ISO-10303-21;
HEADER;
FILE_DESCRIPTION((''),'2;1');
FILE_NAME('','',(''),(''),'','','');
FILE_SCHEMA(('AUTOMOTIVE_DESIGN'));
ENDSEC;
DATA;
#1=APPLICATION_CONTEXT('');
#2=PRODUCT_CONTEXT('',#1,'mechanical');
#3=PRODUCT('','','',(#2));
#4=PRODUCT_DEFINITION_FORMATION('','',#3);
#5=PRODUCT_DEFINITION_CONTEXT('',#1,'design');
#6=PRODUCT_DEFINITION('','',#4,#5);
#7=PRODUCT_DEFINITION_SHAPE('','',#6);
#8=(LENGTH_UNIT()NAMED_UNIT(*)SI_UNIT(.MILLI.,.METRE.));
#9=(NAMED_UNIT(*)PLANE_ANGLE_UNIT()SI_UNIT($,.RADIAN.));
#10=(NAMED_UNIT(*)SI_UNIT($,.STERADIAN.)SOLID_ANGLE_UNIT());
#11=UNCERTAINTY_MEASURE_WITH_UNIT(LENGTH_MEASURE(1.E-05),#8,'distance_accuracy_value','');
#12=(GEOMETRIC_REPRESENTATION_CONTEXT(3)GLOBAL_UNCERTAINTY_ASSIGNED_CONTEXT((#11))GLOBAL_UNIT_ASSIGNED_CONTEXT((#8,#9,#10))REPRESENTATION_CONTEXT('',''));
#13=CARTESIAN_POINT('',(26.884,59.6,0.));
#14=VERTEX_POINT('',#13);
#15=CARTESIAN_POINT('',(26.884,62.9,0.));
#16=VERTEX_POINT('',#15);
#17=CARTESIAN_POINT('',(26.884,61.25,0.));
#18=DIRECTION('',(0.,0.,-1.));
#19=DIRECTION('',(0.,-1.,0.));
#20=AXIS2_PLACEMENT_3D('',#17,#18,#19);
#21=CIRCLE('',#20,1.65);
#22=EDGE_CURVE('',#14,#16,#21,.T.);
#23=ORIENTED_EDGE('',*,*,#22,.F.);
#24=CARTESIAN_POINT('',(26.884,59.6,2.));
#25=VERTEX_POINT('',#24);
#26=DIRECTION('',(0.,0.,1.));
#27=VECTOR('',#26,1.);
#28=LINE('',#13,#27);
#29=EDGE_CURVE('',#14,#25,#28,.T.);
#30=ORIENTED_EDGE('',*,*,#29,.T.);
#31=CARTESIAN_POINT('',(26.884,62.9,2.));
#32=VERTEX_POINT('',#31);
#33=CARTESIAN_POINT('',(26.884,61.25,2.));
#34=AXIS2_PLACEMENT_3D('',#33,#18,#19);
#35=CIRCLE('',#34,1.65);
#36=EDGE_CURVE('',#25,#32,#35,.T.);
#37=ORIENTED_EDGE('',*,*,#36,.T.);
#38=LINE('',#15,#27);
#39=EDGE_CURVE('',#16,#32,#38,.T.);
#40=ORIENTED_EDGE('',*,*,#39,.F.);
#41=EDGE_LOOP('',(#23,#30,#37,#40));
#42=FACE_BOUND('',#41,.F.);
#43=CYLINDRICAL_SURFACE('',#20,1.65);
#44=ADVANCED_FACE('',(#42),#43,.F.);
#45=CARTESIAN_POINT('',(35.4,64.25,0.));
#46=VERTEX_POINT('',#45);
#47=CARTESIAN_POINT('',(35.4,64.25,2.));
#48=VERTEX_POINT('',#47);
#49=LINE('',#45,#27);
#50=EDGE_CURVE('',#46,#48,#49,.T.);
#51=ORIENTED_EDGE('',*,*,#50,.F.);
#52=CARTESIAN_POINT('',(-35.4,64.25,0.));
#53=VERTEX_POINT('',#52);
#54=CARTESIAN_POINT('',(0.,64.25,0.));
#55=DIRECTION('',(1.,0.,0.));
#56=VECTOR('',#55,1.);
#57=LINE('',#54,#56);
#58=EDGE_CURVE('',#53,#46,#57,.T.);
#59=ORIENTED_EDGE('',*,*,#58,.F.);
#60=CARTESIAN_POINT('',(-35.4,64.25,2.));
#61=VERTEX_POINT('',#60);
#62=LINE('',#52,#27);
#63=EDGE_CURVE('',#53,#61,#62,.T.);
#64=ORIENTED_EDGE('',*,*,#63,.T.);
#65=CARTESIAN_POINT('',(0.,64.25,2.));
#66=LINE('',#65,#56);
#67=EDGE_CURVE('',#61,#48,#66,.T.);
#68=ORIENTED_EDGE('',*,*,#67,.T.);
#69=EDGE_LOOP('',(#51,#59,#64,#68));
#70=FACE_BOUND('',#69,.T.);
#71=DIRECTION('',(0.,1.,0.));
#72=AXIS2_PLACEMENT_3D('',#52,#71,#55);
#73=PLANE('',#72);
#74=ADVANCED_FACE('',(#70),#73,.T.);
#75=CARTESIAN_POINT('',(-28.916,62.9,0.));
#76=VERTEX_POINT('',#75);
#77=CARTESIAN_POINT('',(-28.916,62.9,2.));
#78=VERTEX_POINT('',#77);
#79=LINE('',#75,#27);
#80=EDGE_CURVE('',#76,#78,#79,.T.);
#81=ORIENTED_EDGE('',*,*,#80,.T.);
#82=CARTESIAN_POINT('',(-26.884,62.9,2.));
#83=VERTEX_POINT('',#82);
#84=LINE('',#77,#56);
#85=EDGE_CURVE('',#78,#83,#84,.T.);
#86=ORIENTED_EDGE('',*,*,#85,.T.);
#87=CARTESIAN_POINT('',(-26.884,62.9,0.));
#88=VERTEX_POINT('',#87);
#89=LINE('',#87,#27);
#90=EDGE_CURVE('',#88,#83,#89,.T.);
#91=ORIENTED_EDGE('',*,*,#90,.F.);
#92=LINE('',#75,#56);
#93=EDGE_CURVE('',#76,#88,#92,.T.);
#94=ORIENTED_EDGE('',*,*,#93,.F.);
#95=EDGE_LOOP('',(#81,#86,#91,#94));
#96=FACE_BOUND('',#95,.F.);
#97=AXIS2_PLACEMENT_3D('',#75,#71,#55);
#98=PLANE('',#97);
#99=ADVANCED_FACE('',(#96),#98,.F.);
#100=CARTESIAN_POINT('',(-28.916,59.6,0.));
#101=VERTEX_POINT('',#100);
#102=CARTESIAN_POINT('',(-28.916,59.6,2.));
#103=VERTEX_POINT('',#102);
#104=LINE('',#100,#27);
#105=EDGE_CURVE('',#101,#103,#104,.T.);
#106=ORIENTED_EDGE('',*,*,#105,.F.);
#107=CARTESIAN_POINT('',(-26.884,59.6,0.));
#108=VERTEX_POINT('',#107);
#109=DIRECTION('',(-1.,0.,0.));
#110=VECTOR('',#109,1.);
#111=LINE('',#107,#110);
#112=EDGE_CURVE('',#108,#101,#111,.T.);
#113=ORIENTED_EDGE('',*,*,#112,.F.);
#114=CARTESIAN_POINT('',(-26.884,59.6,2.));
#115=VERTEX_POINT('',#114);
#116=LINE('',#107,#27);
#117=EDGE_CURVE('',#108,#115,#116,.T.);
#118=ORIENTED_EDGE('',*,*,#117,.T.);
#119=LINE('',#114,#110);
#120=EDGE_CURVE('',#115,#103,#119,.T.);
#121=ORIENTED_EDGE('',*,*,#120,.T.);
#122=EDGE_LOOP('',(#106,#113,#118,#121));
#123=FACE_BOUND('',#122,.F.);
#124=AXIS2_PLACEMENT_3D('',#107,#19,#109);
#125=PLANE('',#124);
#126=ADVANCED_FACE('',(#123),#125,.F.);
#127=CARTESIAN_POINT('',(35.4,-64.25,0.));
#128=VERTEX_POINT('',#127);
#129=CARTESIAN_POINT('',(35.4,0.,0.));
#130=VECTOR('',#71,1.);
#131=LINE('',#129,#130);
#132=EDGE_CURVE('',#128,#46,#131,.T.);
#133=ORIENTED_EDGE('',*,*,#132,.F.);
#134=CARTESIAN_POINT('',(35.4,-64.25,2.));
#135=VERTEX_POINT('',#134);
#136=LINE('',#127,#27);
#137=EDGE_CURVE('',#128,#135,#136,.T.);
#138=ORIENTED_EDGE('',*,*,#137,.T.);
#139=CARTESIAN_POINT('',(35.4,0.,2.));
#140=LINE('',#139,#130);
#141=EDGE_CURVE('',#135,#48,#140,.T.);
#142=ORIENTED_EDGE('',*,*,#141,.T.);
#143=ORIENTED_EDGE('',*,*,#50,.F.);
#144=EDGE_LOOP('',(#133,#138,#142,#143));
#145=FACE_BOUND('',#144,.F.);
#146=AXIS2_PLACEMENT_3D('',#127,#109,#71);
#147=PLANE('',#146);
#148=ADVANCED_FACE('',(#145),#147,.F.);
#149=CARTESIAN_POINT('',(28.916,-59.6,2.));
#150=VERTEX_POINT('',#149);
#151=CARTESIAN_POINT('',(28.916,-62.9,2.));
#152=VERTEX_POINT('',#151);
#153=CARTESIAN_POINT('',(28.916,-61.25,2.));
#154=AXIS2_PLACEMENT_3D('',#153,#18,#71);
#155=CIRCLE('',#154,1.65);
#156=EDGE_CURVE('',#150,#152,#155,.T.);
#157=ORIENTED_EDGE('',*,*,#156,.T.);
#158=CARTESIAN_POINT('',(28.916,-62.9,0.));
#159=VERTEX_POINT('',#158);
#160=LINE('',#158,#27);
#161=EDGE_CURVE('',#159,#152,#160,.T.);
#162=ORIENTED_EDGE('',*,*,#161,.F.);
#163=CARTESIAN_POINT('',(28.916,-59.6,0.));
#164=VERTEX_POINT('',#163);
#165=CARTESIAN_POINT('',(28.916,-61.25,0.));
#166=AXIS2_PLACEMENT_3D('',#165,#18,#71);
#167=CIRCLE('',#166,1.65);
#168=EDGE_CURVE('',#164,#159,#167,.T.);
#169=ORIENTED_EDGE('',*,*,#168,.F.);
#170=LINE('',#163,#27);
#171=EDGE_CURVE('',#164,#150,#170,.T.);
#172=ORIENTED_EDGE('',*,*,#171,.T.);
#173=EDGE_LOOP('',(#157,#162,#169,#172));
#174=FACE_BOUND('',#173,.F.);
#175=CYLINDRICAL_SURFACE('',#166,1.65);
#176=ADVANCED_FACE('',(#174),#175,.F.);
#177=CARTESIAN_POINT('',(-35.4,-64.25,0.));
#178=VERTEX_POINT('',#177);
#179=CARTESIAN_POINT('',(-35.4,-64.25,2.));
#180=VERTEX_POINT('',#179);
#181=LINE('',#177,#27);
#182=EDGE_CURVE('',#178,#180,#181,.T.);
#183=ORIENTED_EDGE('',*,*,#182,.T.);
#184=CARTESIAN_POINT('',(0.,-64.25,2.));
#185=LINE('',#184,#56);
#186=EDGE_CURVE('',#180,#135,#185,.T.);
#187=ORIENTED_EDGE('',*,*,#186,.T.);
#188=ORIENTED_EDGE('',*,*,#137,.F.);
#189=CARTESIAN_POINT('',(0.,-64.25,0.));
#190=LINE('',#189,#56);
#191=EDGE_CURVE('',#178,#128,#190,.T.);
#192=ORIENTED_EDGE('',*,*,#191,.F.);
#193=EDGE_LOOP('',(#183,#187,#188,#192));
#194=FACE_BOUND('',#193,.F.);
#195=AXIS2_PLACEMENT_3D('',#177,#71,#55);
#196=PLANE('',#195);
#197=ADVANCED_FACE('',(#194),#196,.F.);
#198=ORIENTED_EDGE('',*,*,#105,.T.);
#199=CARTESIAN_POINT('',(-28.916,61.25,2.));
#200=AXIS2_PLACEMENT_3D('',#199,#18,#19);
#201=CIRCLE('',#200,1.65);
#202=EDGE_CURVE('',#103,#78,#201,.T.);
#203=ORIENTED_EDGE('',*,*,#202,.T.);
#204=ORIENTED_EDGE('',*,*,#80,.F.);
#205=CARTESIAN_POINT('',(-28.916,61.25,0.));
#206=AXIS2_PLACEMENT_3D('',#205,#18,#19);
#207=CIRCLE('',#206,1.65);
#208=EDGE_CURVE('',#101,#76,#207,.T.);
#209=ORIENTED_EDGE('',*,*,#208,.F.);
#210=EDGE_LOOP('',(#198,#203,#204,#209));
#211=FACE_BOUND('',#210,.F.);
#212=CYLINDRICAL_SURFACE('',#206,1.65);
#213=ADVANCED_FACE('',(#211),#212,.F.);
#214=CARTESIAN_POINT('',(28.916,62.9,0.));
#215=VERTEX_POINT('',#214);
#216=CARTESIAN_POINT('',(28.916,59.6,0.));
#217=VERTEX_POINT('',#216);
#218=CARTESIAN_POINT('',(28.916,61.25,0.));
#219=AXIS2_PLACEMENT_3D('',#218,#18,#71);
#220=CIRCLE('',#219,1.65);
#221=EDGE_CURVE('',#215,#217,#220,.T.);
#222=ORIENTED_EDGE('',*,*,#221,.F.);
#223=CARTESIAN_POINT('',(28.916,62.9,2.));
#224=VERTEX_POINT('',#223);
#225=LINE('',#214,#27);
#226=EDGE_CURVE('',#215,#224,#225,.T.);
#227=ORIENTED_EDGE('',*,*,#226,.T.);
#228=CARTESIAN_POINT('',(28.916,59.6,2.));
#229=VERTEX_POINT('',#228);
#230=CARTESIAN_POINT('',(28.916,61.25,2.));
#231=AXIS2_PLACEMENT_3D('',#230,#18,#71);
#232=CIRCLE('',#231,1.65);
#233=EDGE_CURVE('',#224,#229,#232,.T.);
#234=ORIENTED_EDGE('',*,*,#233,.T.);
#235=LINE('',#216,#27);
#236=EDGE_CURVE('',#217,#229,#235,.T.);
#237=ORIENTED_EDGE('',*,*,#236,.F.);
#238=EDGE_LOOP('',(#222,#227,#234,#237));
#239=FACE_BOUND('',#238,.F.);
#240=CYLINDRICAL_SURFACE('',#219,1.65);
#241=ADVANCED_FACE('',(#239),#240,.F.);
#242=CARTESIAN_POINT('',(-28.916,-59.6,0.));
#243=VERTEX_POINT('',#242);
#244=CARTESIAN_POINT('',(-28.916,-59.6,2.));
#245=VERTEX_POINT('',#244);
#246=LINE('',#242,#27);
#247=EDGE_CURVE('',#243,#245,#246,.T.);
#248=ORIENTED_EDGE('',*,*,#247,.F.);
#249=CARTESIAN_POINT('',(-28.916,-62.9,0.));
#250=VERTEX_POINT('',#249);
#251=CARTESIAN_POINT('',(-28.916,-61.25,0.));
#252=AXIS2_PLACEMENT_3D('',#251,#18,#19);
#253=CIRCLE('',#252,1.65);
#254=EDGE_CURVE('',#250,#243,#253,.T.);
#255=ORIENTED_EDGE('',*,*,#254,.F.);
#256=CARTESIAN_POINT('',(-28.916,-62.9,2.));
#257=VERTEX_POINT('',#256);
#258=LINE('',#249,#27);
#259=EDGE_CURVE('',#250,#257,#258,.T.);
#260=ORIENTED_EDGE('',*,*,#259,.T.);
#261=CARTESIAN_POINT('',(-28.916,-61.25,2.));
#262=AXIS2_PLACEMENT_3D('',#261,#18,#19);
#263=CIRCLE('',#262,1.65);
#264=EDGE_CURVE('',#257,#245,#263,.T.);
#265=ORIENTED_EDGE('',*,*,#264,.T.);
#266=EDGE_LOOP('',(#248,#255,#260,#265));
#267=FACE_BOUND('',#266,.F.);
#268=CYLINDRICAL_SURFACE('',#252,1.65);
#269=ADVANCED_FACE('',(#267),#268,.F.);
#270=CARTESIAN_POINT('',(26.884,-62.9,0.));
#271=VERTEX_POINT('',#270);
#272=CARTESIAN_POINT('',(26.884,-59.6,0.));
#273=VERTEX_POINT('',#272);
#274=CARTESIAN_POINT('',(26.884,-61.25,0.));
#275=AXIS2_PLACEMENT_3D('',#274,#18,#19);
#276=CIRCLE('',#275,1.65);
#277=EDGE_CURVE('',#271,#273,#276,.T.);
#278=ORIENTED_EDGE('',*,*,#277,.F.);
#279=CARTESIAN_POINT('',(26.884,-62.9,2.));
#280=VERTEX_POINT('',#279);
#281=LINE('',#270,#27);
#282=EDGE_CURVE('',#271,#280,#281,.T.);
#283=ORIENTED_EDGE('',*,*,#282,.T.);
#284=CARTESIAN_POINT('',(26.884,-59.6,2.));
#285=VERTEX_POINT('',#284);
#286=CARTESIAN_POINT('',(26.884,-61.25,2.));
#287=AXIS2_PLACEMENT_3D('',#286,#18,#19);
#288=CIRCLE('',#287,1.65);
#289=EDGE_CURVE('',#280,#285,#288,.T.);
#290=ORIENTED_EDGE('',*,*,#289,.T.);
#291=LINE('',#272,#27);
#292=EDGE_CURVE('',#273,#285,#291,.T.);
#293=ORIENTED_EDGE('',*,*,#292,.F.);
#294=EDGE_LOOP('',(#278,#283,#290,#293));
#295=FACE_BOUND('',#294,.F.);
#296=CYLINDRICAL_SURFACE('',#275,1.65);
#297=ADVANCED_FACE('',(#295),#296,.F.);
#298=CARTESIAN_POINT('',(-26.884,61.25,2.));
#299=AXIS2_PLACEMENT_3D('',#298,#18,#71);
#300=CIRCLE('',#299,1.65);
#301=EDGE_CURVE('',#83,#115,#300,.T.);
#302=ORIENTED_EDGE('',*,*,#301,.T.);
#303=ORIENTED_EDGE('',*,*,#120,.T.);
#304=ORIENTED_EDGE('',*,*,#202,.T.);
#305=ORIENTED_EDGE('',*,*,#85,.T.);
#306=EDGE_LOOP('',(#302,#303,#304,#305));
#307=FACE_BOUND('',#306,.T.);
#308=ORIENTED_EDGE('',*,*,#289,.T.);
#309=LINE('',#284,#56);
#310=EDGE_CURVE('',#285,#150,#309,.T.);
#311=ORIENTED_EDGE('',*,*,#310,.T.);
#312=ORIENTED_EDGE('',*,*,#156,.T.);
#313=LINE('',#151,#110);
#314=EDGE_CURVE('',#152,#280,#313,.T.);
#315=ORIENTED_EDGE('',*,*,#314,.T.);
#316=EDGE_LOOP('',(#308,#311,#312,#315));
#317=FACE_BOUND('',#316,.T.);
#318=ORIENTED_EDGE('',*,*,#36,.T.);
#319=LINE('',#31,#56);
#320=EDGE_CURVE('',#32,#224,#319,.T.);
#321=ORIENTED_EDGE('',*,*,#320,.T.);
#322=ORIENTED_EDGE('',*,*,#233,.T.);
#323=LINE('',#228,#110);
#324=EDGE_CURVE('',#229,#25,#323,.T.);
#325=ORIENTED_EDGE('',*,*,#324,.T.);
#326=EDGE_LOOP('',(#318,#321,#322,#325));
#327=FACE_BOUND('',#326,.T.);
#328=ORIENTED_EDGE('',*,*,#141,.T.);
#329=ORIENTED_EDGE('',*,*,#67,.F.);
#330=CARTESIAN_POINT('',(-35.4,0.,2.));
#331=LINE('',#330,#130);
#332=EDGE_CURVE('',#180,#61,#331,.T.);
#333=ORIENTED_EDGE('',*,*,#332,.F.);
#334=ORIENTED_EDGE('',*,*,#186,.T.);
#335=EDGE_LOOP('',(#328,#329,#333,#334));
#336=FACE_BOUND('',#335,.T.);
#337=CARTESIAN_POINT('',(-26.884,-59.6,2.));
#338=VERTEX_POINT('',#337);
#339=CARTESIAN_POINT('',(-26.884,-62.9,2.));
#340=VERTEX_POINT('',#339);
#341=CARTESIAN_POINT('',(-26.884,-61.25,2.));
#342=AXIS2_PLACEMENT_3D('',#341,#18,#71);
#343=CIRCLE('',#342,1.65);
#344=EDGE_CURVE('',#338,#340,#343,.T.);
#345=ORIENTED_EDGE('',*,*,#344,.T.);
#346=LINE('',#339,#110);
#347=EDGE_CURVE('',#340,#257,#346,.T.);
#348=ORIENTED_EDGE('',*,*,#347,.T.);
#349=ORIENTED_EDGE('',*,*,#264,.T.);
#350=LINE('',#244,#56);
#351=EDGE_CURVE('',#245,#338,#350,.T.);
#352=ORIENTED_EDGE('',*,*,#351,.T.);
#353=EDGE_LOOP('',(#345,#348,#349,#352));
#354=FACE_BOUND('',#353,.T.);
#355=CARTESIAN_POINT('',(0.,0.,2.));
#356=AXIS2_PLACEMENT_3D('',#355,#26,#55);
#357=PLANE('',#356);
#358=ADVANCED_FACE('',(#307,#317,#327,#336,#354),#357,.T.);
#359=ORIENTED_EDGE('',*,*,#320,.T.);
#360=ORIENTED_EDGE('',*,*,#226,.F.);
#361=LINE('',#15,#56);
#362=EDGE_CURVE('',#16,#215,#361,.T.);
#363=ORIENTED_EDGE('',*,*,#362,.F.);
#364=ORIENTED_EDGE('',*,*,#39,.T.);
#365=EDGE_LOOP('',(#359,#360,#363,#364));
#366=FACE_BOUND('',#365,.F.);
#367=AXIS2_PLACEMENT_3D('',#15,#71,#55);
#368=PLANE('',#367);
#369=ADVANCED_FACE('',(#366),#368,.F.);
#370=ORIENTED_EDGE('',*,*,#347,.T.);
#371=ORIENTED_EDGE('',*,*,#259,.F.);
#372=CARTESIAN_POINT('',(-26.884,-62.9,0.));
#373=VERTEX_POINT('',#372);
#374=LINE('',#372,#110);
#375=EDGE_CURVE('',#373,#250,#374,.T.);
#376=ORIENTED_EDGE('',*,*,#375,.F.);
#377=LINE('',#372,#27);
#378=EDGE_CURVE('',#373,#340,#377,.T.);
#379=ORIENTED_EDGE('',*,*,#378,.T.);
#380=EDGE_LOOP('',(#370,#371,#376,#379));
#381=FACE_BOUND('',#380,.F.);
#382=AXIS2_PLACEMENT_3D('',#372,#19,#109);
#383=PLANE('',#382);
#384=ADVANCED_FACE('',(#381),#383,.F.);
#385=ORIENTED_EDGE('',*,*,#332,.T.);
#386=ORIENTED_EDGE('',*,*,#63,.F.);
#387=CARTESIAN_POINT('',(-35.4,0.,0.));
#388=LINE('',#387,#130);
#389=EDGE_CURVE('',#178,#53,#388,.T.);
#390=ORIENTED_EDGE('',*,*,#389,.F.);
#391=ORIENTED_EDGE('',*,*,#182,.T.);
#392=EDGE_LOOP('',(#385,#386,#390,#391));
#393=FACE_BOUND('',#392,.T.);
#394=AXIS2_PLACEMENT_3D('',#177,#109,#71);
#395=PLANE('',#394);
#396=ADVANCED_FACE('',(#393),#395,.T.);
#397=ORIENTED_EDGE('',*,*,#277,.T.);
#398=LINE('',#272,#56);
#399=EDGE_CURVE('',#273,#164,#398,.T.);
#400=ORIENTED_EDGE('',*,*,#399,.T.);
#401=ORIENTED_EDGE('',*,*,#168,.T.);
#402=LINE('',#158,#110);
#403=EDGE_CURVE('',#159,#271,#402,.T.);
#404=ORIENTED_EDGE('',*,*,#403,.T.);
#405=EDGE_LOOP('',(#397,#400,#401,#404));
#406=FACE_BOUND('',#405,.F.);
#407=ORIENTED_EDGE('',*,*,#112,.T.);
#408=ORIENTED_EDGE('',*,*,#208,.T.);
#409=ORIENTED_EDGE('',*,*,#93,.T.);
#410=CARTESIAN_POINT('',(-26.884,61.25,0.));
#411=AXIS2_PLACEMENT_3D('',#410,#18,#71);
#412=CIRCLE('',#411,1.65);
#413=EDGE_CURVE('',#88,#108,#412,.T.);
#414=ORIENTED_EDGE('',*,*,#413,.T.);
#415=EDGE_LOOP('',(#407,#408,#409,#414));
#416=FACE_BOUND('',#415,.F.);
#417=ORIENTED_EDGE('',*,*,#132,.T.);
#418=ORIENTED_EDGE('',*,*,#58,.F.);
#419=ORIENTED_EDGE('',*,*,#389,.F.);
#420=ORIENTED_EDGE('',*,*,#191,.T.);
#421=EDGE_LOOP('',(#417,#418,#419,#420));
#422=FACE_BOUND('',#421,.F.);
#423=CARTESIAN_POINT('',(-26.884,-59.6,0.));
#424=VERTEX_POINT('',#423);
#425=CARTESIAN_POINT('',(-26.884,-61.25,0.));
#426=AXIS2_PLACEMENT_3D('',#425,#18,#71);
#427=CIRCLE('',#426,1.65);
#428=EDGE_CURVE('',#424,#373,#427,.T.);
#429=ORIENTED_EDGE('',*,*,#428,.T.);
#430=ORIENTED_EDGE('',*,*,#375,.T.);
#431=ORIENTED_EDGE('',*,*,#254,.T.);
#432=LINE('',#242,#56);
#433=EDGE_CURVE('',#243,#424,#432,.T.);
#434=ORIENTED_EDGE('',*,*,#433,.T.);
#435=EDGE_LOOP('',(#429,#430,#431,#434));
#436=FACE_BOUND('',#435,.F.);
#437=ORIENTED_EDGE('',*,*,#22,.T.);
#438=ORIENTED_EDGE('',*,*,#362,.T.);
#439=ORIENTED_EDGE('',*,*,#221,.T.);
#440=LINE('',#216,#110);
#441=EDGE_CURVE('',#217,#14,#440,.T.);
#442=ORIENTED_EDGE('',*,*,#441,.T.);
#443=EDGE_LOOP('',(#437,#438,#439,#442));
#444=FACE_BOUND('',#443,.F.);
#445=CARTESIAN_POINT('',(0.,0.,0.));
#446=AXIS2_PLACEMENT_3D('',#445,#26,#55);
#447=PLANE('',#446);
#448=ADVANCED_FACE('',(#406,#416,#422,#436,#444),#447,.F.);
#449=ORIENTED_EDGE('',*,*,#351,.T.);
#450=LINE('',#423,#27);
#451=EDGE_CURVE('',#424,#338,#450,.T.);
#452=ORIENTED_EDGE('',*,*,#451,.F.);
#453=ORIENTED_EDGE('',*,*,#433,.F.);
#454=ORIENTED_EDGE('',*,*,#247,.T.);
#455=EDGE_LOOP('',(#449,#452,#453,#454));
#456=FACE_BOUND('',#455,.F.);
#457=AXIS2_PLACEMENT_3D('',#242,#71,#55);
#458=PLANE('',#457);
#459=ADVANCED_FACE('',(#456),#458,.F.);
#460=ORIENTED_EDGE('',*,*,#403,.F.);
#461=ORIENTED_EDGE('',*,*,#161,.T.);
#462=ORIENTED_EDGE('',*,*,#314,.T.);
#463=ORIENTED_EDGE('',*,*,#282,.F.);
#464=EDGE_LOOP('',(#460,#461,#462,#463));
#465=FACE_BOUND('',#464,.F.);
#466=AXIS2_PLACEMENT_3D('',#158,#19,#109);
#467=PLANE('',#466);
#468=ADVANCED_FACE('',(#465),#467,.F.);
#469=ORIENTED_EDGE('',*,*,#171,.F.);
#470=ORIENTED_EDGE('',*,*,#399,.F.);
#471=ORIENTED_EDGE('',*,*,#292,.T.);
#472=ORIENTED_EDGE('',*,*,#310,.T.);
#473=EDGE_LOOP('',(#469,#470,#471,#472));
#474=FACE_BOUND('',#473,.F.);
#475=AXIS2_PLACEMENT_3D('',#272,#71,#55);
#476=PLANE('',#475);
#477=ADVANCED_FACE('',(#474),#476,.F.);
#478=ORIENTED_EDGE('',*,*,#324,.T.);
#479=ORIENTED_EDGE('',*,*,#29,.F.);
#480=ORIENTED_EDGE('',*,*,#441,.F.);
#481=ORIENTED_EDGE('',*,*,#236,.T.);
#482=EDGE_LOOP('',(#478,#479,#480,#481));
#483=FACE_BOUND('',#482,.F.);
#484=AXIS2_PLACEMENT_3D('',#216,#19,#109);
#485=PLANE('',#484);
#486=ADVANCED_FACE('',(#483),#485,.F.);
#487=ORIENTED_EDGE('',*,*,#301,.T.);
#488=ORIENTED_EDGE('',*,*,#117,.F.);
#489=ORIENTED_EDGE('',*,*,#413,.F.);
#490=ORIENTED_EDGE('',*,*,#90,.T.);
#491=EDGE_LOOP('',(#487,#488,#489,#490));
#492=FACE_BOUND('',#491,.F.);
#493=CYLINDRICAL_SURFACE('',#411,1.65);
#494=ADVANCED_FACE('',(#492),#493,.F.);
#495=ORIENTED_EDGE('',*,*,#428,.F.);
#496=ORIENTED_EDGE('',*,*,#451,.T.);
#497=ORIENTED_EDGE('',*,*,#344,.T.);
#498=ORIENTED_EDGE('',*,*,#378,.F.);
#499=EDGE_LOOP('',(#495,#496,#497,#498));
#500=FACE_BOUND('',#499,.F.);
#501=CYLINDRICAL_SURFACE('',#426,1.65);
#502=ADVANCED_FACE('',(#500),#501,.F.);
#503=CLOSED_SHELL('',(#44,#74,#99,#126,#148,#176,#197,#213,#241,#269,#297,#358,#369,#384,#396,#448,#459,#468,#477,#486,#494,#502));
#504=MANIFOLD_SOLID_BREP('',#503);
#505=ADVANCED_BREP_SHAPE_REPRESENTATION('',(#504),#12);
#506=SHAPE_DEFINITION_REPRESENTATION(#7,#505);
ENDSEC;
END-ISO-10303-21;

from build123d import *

# Parameters (mm, degrees)
SKETCH1_W           = 70.8
SKETCH1_H           = 128.5
BOSS_EXTRUDE1_DEPTH = 2


with BuildPart() as part:
    # Sketch1 → Boss-Extrude1 (new body)
    with BuildSketch(Plane.XY):
        Rectangle(SKETCH1_W, SKETCH1_H)
        with BuildLine():
            Line((-28.916, -59.6), (-26.884, -59.6))
            ThreePointArc((-26.884, -59.6), (-25.234, -61.25), (-26.884, -62.9))
            Line((-26.884, -62.9), (-28.916, -62.9))
            ThreePointArc((-28.916, -62.9), (-30.566, -61.25), (-28.916, -59.6))
        make_face(mode=Mode.SUBTRACT)
        with BuildLine():
            Line((-28.916, 62.9), (-26.884, 62.9))
            ThreePointArc((-26.884, 62.9), (-25.234, 61.25), (-26.884, 59.6))
            Line((-26.884, 59.6), (-28.916, 59.6))
            ThreePointArc((-28.916, 59.6), (-30.566, 61.25), (-28.916, 62.9))
        make_face(mode=Mode.SUBTRACT)
        with BuildLine():
            Line((26.884000014, 62.9), (28.916000014, 62.9))
            ThreePointArc((28.916000014, 62.9), (30.566000014, 61.25), (28.916000014, 59.6))
            Line((28.916000014, 59.6), (26.884000014, 59.6))
            ThreePointArc((26.884000014, 59.6), (25.234000014, 61.25), (26.884000014, 62.9))
        make_face(mode=Mode.SUBTRACT)
        with BuildLine():
            Line((26.884000014, -59.6), (28.916000014, -59.6))
            ThreePointArc((28.916000014, -59.6), (30.566000014, -61.25), (28.916000014, -62.9))
            Line((28.916000014, -62.9), (26.884000014, -62.9))
            ThreePointArc((26.884000014, -62.9), (25.234000014, -61.25), (26.884000014, -59.6))
        make_face(mode=Mode.SUBTRACT)
    extrude(amount=BOSS_EXTRUDE1_DEPTH)


solid = part.part
